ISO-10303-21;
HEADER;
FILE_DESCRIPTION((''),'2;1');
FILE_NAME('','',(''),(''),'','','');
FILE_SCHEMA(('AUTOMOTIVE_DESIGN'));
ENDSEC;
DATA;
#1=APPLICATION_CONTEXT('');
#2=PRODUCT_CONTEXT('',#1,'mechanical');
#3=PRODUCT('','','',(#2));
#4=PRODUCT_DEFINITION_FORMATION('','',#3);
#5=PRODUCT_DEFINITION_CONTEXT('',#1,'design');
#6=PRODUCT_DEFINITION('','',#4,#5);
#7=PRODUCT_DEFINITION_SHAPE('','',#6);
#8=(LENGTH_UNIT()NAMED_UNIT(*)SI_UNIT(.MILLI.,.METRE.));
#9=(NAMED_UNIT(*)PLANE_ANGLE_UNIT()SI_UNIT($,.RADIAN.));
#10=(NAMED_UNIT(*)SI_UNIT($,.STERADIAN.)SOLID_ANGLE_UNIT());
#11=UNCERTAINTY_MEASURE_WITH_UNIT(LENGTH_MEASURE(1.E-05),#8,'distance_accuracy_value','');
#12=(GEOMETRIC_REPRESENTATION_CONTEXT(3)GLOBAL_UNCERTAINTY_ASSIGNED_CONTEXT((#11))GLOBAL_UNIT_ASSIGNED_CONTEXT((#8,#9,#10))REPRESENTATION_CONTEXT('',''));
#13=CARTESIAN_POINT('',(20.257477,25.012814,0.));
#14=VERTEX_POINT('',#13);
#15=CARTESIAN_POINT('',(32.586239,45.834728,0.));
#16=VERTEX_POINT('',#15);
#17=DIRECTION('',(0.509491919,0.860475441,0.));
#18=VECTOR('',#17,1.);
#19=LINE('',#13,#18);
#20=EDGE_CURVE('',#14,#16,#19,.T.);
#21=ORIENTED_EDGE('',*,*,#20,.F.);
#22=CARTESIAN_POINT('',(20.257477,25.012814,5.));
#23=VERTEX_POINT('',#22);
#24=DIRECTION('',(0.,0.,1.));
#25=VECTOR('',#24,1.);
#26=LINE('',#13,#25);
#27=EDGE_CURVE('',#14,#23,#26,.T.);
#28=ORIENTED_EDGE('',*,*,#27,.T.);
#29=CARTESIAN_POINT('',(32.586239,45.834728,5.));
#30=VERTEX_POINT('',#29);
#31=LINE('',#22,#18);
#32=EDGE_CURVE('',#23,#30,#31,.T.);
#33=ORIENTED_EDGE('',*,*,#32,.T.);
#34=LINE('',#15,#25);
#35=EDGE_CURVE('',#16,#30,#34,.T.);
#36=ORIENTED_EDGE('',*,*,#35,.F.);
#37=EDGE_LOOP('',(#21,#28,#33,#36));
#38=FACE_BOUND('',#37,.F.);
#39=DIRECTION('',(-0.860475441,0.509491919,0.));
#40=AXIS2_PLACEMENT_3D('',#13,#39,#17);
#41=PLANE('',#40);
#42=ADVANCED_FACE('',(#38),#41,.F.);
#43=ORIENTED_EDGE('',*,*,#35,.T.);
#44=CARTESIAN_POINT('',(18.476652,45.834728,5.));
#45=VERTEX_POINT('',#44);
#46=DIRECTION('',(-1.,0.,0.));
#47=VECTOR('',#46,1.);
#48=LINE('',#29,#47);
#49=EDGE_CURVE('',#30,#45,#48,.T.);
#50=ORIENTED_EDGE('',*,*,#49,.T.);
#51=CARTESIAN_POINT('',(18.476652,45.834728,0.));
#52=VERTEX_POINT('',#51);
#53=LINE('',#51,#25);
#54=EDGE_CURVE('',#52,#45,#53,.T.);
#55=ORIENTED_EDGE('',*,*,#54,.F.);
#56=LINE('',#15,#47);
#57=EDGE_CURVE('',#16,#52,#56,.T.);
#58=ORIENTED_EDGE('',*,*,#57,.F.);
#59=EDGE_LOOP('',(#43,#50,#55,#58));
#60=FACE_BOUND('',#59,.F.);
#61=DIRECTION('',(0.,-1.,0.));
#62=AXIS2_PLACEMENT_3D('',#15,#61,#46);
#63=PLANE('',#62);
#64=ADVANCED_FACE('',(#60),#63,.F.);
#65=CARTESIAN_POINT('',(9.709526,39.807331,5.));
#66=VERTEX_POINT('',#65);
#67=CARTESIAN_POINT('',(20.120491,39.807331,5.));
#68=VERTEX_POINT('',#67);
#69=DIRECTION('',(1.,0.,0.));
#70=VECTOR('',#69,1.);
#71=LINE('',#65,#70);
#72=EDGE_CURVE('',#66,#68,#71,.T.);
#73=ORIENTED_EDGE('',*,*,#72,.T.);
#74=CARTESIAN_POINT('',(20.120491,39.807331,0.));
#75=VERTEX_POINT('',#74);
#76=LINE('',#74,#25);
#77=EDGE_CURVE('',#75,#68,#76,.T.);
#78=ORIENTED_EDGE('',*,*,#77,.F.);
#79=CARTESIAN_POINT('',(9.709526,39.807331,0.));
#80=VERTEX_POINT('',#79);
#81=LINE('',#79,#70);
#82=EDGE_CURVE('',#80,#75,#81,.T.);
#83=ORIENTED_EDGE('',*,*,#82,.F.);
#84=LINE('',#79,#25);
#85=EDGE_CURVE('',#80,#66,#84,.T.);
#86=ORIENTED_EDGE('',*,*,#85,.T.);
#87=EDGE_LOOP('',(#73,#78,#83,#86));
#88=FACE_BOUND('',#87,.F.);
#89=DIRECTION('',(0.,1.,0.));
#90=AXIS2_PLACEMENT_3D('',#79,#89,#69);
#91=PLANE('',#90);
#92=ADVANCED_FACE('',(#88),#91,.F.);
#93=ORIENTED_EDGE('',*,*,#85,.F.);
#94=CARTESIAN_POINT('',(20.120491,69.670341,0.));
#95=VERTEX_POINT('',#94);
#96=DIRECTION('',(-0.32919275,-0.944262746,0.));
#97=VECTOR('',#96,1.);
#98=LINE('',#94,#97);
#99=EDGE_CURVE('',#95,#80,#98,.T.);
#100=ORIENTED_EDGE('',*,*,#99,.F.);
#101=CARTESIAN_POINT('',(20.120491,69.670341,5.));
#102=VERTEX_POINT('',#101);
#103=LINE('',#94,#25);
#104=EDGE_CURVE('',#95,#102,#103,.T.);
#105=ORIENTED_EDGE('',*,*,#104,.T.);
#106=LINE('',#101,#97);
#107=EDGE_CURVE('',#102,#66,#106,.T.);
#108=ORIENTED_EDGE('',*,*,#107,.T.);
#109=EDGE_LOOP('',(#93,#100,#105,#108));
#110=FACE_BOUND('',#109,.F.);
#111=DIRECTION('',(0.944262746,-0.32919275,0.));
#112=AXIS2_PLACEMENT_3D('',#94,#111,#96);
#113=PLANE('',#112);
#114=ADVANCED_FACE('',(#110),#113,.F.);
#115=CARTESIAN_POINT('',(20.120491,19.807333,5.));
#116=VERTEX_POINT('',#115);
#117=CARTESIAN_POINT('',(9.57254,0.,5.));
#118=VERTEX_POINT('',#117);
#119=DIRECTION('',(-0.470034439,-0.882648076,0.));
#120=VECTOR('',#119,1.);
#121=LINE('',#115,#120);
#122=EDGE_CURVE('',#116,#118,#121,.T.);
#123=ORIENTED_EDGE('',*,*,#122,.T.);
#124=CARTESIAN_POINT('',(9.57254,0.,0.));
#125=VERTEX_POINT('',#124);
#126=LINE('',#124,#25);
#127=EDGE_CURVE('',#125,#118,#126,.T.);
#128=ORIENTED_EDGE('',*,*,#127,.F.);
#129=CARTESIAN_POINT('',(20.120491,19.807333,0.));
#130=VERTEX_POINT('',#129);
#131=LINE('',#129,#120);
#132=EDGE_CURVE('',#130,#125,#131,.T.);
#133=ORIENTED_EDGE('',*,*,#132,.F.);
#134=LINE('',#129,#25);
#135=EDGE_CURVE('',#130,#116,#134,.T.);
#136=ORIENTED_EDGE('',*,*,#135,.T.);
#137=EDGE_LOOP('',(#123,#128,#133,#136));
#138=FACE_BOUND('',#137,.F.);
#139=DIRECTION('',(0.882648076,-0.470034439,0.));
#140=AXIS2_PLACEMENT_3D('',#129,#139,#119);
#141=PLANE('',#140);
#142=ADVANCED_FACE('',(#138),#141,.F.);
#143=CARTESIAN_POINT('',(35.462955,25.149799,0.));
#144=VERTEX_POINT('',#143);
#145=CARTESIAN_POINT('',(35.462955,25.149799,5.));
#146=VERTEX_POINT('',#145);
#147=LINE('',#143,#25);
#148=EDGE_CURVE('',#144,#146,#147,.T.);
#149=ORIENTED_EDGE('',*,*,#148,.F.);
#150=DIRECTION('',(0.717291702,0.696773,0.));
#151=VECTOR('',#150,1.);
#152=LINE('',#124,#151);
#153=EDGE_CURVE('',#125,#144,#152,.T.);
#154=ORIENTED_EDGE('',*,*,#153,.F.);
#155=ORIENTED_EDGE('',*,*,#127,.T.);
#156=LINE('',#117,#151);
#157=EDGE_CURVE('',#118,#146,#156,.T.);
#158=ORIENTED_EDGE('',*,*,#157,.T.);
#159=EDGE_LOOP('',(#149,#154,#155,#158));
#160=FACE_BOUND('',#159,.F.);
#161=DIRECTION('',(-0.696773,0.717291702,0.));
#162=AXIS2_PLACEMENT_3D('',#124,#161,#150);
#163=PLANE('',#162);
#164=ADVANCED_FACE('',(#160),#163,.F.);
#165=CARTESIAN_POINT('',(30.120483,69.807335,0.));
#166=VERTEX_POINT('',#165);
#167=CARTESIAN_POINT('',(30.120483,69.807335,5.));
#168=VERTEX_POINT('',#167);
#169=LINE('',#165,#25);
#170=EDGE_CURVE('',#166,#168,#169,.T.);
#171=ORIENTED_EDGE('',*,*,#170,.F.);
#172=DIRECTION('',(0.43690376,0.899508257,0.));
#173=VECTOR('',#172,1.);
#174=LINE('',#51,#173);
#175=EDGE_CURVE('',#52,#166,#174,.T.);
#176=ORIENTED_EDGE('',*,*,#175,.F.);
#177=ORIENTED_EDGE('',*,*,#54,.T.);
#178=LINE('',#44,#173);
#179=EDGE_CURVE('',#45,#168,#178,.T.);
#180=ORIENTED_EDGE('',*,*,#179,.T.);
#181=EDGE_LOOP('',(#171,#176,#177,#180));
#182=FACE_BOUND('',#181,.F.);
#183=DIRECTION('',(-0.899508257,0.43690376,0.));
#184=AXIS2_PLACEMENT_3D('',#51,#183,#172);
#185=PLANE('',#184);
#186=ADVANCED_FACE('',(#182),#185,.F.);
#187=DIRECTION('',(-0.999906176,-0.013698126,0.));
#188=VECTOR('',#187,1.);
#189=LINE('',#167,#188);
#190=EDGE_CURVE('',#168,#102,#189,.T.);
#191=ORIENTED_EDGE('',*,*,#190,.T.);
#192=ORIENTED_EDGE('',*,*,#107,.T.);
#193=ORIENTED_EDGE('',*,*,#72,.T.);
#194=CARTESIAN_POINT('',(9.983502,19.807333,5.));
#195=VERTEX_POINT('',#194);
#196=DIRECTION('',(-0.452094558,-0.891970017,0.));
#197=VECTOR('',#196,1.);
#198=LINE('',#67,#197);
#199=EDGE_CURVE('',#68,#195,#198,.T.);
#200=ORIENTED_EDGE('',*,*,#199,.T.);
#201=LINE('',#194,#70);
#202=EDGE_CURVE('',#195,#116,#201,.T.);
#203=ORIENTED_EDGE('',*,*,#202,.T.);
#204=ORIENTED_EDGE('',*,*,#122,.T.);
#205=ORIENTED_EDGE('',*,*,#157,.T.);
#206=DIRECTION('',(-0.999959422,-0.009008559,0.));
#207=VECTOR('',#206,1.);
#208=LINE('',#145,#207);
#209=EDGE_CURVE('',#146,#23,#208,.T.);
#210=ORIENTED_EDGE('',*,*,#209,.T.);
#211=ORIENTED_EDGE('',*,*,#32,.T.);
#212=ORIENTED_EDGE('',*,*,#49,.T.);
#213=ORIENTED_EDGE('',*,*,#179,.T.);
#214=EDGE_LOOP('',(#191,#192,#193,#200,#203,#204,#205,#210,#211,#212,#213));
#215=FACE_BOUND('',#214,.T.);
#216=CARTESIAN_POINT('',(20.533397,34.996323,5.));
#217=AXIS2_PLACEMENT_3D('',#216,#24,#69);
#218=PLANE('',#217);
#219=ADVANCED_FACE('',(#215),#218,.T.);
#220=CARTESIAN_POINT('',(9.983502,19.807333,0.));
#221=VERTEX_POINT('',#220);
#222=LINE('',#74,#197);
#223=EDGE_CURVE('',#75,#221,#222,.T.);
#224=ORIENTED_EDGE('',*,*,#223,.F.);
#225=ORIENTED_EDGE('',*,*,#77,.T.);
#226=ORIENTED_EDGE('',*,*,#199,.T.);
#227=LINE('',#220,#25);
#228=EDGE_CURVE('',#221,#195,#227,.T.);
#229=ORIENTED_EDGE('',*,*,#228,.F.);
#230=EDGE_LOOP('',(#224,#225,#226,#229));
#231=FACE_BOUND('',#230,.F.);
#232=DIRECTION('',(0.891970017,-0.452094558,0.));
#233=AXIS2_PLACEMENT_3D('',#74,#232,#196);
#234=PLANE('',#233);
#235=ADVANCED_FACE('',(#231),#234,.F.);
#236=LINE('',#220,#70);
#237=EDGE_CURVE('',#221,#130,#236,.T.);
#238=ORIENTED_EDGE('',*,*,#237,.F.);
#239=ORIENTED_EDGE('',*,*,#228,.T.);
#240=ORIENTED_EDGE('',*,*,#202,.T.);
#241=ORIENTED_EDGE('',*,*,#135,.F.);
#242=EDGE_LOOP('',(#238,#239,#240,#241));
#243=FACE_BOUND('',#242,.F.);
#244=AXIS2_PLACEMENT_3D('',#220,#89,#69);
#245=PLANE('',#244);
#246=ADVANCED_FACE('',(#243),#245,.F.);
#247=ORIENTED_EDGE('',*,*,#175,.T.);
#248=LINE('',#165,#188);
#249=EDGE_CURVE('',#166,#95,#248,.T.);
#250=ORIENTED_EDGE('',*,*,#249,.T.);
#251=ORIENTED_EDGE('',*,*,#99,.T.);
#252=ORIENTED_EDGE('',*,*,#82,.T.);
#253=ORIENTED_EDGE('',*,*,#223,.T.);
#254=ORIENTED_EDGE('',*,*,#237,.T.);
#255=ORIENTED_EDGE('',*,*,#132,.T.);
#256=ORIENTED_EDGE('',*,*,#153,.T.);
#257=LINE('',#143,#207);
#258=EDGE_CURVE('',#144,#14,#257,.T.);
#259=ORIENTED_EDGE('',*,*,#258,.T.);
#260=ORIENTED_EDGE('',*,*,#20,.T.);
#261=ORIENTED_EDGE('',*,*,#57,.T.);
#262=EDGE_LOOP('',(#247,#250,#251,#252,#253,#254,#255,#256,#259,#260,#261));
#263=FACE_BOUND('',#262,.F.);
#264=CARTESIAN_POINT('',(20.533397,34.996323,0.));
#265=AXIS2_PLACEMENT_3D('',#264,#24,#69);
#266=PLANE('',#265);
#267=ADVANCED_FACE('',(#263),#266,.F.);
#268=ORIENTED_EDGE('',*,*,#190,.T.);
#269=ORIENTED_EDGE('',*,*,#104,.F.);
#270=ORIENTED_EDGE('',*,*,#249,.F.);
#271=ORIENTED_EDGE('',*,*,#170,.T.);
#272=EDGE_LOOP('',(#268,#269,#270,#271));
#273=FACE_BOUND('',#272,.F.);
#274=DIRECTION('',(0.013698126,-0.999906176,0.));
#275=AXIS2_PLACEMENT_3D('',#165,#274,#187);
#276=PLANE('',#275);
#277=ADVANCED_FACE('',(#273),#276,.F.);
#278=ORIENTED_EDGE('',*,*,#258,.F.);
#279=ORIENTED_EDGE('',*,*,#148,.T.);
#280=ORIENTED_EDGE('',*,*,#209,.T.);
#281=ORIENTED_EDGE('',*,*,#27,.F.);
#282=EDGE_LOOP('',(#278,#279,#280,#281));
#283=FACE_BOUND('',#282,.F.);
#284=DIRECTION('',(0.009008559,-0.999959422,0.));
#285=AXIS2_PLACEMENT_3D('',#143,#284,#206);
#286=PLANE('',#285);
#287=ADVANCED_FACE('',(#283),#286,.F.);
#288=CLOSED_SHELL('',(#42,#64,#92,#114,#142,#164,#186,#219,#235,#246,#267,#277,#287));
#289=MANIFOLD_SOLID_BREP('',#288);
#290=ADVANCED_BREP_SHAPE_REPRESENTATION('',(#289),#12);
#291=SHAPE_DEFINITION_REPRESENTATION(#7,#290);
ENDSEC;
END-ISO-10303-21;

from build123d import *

# Parameters (mm, degrees)
PAD_DEPTH = 5


with BuildPart() as part:
    # Sketch → Pad (new body)
    with BuildSketch(Plane.XY):
        Polygon((20.120491, 69.670341), (9.709526, 39.807331), (20.120491, 39.807331), (9.983502, 19.807333), (20.120491, 19.807333), (9.57254, 0), (35.462955, 25.149799), (20.257477, 25.012814), (32.586239, 45.834728), (18.476652, 45.834728), (30.120483, 69.807335), align=None)
    extrude(amount=PAD_DEPTH)


solid = part.part
